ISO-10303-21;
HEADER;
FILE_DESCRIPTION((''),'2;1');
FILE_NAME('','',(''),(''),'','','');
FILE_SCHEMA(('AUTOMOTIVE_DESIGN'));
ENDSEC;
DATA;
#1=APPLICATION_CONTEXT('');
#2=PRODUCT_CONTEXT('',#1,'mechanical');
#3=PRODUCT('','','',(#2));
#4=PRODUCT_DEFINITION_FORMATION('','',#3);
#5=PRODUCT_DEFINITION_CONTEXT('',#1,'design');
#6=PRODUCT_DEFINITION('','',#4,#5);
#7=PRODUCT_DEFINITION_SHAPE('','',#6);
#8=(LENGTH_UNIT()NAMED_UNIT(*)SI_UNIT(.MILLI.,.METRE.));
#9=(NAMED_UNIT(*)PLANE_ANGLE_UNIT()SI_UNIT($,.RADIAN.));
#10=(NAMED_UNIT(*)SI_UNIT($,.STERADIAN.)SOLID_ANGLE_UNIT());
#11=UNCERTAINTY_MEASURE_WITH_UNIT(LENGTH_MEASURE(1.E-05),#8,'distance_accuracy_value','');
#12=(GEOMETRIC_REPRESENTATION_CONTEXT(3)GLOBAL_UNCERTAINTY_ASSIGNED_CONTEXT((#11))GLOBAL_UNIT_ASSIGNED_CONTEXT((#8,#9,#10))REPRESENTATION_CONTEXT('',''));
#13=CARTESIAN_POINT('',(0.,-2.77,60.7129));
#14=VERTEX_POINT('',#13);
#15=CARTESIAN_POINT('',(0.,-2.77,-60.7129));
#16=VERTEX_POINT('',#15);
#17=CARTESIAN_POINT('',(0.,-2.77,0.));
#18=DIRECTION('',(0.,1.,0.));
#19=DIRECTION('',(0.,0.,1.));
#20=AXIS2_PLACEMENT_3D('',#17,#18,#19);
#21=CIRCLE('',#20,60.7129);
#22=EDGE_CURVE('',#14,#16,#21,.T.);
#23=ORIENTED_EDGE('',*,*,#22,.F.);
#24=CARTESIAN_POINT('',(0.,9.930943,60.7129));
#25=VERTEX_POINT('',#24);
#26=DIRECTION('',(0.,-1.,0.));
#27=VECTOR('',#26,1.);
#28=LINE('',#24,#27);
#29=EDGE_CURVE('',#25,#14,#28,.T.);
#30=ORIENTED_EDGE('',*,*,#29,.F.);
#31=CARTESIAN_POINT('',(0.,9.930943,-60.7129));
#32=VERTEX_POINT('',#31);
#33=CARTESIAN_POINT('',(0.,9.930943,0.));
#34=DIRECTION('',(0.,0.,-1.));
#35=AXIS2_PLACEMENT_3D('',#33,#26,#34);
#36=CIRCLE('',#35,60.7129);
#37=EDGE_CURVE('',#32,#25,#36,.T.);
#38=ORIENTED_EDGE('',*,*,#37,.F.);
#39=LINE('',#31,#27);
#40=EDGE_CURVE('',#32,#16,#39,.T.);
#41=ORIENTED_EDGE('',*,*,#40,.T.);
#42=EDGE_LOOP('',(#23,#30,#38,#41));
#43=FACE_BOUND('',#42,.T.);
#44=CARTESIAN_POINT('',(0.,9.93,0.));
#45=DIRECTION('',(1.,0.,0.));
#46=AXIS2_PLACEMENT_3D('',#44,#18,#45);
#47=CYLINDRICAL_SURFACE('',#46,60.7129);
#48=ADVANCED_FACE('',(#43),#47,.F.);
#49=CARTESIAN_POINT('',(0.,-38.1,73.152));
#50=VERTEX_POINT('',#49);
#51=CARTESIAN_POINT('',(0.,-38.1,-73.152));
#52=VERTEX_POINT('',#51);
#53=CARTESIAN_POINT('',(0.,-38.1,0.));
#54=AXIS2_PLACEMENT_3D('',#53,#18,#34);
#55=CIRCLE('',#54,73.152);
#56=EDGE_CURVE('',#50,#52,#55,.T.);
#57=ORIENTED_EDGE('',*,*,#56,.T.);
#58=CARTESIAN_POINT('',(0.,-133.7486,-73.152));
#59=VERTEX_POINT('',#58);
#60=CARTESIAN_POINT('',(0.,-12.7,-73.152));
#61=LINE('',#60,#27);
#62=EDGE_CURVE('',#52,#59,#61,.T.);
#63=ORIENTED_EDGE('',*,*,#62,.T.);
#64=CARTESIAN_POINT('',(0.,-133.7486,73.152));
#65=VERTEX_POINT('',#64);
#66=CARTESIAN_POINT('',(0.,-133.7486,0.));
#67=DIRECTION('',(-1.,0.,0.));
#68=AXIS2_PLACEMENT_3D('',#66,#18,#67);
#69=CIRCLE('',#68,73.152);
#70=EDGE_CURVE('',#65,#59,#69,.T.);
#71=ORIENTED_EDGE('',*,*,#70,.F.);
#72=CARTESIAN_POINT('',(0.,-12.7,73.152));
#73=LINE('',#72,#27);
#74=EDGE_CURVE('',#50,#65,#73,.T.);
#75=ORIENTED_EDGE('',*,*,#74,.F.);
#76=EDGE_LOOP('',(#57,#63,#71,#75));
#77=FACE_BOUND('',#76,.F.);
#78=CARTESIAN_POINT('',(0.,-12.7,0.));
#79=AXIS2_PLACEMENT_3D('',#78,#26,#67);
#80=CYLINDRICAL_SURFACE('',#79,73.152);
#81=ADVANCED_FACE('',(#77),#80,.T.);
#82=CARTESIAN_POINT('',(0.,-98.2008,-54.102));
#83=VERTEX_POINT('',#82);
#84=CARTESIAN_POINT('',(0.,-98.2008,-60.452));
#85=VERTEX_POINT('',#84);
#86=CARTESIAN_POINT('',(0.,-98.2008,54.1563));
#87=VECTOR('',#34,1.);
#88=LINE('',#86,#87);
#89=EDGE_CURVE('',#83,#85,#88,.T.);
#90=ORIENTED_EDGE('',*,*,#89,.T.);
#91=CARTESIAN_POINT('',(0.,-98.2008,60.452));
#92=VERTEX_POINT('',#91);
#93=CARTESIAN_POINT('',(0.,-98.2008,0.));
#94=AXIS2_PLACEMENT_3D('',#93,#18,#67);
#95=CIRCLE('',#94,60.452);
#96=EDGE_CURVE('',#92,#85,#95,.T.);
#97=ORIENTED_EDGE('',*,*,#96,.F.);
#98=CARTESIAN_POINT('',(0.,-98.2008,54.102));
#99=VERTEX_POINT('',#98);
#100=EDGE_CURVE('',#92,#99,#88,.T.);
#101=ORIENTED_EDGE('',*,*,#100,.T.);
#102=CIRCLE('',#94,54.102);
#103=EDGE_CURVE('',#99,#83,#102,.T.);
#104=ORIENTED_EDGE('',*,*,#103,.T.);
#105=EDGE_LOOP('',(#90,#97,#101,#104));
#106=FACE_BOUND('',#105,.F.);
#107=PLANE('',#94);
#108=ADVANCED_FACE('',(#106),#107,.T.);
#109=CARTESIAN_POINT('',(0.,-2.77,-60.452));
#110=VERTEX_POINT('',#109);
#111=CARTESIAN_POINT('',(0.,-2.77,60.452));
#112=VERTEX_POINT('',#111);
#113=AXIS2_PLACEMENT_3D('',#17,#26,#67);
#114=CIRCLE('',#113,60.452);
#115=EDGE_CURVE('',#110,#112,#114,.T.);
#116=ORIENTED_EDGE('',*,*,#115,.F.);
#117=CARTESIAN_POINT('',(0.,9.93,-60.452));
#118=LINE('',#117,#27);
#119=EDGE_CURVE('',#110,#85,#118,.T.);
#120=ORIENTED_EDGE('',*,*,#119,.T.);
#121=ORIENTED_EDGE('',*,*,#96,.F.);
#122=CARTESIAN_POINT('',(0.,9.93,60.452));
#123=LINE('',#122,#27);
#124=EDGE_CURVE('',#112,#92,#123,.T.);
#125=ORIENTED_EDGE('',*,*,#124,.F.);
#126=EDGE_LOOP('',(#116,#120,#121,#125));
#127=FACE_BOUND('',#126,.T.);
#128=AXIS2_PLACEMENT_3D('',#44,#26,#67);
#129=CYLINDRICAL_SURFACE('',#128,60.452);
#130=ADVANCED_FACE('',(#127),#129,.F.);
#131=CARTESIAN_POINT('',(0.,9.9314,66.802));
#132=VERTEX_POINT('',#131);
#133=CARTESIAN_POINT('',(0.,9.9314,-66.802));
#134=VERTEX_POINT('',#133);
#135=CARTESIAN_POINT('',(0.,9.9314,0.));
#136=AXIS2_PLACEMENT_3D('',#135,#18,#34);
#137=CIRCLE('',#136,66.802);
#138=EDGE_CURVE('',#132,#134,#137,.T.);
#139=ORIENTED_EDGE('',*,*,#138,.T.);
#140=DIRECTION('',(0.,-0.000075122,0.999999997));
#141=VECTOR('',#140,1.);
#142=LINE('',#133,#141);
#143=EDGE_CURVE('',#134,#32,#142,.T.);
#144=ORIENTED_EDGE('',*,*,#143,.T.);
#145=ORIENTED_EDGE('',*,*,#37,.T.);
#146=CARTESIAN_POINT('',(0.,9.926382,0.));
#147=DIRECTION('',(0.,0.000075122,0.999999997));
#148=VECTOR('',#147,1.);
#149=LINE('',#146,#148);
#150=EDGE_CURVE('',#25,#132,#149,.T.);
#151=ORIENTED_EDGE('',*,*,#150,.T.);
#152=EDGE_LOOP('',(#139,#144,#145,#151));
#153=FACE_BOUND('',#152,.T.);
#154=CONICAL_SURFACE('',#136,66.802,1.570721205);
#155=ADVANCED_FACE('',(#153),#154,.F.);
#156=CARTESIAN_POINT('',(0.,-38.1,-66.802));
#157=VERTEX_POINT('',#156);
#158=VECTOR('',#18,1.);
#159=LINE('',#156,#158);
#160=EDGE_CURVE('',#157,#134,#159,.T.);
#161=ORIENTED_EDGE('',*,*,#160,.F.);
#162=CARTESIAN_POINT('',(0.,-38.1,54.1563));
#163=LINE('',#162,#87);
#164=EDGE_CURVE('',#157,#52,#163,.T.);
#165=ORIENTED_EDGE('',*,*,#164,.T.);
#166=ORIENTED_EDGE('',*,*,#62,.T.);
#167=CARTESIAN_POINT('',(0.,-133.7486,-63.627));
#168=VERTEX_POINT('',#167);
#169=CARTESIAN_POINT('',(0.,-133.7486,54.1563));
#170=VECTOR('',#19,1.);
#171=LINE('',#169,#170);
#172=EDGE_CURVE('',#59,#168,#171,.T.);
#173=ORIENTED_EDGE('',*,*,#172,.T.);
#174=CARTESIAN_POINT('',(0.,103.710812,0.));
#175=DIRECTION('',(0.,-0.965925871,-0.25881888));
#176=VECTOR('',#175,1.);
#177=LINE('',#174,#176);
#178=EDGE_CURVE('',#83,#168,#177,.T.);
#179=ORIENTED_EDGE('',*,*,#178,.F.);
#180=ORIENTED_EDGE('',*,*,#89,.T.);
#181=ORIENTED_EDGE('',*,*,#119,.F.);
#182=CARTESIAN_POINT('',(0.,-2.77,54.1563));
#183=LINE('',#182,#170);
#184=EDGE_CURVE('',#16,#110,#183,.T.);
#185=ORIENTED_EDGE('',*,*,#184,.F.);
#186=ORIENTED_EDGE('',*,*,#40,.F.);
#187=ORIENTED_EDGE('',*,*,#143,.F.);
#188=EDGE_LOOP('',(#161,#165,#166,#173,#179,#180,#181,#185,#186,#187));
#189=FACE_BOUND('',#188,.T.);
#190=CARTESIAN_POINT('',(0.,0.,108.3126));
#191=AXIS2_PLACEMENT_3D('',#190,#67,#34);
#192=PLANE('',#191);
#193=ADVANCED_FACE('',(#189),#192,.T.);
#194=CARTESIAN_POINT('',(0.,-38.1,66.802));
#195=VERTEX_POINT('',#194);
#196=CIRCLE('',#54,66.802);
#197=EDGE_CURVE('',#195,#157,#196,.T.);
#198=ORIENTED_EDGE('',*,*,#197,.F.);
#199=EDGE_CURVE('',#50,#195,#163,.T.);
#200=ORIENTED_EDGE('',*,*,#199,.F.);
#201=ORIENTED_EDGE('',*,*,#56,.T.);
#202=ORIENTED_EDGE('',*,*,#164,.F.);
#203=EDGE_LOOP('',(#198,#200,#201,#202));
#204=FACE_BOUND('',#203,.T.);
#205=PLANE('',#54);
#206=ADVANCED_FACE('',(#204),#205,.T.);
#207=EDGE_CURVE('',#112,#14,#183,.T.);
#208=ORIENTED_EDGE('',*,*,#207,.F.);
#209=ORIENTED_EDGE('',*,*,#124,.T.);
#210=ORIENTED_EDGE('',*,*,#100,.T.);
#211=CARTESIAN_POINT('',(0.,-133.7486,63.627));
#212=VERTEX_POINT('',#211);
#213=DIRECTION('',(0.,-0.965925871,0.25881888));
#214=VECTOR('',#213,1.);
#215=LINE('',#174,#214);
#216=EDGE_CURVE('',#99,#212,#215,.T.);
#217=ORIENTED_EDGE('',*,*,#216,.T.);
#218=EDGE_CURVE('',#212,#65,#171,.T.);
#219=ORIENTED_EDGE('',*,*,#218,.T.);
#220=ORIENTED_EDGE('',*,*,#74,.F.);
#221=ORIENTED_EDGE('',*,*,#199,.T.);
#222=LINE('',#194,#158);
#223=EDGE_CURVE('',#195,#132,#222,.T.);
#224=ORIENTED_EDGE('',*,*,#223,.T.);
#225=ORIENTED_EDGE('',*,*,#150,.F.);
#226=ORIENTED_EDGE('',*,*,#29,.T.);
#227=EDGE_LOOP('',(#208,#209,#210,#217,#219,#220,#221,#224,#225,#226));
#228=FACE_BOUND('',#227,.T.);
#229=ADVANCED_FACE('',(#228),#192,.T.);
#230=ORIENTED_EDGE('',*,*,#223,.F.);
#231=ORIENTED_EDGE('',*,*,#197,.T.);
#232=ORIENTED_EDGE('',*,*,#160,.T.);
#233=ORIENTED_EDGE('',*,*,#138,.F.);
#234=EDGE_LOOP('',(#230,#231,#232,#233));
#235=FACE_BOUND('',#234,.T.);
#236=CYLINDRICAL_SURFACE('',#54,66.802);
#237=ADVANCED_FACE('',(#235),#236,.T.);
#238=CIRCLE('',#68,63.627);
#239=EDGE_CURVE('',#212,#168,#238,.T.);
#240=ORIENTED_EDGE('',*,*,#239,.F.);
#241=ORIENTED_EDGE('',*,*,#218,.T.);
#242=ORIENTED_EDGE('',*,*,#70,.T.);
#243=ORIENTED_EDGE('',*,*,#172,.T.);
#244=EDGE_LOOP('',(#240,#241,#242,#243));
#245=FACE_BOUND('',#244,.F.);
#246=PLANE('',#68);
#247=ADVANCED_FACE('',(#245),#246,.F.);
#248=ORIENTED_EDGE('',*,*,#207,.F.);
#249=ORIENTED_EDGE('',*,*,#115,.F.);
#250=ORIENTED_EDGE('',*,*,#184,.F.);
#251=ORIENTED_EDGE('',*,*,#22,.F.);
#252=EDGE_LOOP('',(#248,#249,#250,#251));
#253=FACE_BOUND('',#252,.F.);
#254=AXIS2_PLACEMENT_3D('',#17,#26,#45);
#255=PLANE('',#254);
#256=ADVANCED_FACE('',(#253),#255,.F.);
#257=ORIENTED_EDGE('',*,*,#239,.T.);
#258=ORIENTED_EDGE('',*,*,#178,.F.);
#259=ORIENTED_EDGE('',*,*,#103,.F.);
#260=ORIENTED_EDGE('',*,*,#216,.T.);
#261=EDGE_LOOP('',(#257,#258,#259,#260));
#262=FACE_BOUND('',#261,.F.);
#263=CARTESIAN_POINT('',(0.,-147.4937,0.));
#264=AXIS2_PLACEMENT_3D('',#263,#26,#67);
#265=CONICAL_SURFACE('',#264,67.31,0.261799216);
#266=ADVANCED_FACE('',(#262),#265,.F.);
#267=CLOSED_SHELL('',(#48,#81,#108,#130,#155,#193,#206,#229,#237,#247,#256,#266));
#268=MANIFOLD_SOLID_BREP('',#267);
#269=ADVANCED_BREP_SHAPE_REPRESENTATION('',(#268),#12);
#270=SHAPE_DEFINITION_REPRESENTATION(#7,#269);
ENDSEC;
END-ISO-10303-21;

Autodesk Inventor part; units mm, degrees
ref_plane "YZ Plane" through (0, 0, 0) normal (1, 0, 0) x (0, 1, 0)
ref_plane "XZ Plane" through (0, 0, 0) normal (0, 1, 0) x (-1, 0, 0)
ref_plane "XY Plane" through (0, 0, 0) normal (0, 0, 1) x (1, 0, 0)
sketch "Sketch1" plane through (0, 0, 0) normal (0, 0, 1) x (1, 0, 0)
  line L0 (0, 25.4) -> (-28.702, 25.4) construction
  line L1 (0, 25.4) -> (-86.36, 25.4) construction
  line L2 (-86.36, 25.4) -> (-80.01, 25.4) construction
  line L3 (-80.01, 25.4) -> (-73.66, 22.4389) construction
  line L4 (-80.01, 25.4) -> (-80.01, 22.4389) construction
  line L5 (-80.01, 0) -> (-86.36, 0)
  line L6 (-28.702, 59.6457) -> (-28.702, -91.9304) construction
  arc A0 (-28.9184, -4.2142) -> (-32.3684, 3.1843) centre (-35.052, -2.5707) ccw
  line L7 (-67.31, -147.4937) -> (-28.9184, -4.2142)
  line L8 (-80.01, 22.4389) -> (-73.66, 22.4389)
  line L9 (-80.01, 22.4389) -> (-80.01, 0)
  line L10 (-73.66, 22.4389) -> (-32.3684, 3.1843)
  line L11 (-28.702, -2.5707) -> (-60.452, -2.5707) construction
  line L12 (-60.452, 16.28) -> (-60.452, -121.8993) construction
  line L13 (-60.452, -121.8993) -> (-54.102, -121.8993) construction
  line L14 (-54.102, -121.8993) -> (-54.102, -98.2008) construction
  line L15 (-54.102, -98.2008) -> (-60.452, -98.2008)
  line L16 (-60.452, 16.28) -> (-60.452, 6.755) construction
  line L17 (-60.452, 16.28) -> (-60.452, 9.93) construction
  line L18 (-60.452, 9.93) -> (-46.8344, 9.93)
  line L19 (-60.452, 9.93) -> (-60.452, -98.2008)
  line L20 (-86.36, 0) -> (-86.36, -12.7) construction
  line L21 (-60.452, -12.7) -> (-73.152, -12.7) construction
  line L22 (-86.36, -12.7) -> (-86.36, -25.4) construction
  line L23 (-86.36, -25.4) -> (-86.36, -88.9) construction
  line L24 (-86.36, -88.9) -> (-73.66, -88.9) construction
  line L25 (-73.66, -88.9) -> (-73.66, -25.4) construction
  line L26 (-86.36, -25.4) -> (-73.66, -25.4)
  line L27 (-73.66, -25.4) -> (-73.66, -88.9)
  line L28 (-73.66, -88.9) -> (-86.36, -88.9)
  line L29 (-86.36, -12.7) -> (-73.152, -12.7)
  line L30 (-73.152, -133.7486) -> (-63.627, -133.7486)
  line L31 (-73.66, -88.9) -> (-73.66, -147.4937)
  line L32 (-73.66, -147.4937) -> (-67.31, -147.4937)
  line L33 (-73.152, -12.7) -> (-73.152, -133.7486)
  line L34 (-80.01, -25.4) -> (-80.01, -31.3436)
  line L35 (-80.01, -31.3436) -> (-86.36, -31.3436)
  line L36 (-86.36, 0) -> (-86.36, -25.4)
  line L37 (-86.36, -31.3436) -> (-86.36, -88.9)
  line L38 (0, -319.0244) -> (0, 122.7573) projected
  point P0 (0, 0)
  point P1 (-86.36, -255.9127)
  point P2 (-76.835, 22.4389)
  dimension "d0" = 28.702
  dimension "d1" = 86.36
  dimension "d2" = 6.35
  dimension "d3" = 25
  dimension "d5" = 25.4
  dimension "d6" = 25.4
  dimension "d8" = 12.7
  dimension "d11" = 6.35
  dimension "d12" = 31.75
  dimension "d13" = 6.35
  dimension "d15" = 6.35
  dimension "d16" = 12.7
  dimension "d17" = 12.7
  dimension "d18" = 12.7
  dimension "d19" = 63.5
  dimension "d20" = 12.7
  dimension "d22" = 9.525
  dimension "d23" = 6.35
  dimension "d25" = 5.9436
  dimension "d26" = 15
revolve "Revolution2" add sketch "Sketch1" angle 360 about axis through (0, -10, 0) along (0, 1, 0) contours L9 L8 L10 L18 L19 L15 L7 L30 L33 L29 L36 L5
sketch "Sketch2" plane through (0, 0, 0) normal (0, 1, 0) x (-1, 0, 0)
  line L0 (0, -114.5678) -> (107.9834, -114.5678)
  line L1 (107.9834, -114.5678) -> (107.9834, 108.3126)
  line L2 (107.9834, 108.3126) -> (0, 108.3126)
  line L3 (0, 108.3126) -> (0, -114.5678)
  point P0 (0, 0)
extrude "Extrusion1" cut sketch "Sketch2" along normal through all both and the other way through all
sketch "Sketch6" plane through (0, -133.7486, -73.152) normal (-1, 0, 0) x (0, 0, 1)
  line L0 (0, 121.0486) -> (0, 95.6486)
  line L1 (0, 95.6486) -> (6.35, 95.6486)
  line L2 (0, 121.0486) -> (-13.208, 121.0486)
  line L3 (-13.208, 121.0486) -> (-13.208, 133.7486) projected
  line L4 (-13.208, 121.0486) -> (-13.208, 133.7486)
  line L5 (-13.208, 133.7486) -> (-6.858, 133.7486)
  line L6 (-6.858, 133.7486) -> (-6.858, 156.1875)
  line L7 (-0.508, 156.1875) -> (26.3176, 143.6785) projected
  line L8 (-6.858, 156.1875) -> (-0.508, 156.1875)
  line L9 (-0.508, 156.1875) -> (26.3176, 143.6785)
  line L10 (6.35, 95.6486) -> (6.35, 143.68)
  line L11 (6.35, 143.68) -> (26.3176, 143.6785)
  line L12 (26.3176, 143.6785) -> (92.5608, 143.6785) construction
  line L13 (73.152, 133.7486) -> (73.152, 183.9478) construction
  line L14 (119.9864, 143.6785) -> (26.3176, 143.6785) construction
  line L15 (26.3176, 143.6785) -> (73.152, 143.6785) construction
  dimension "d37" = 25.4
  dimension "d38" = 6.35
  dimension "d39" = 6.35
  dimension "d40" = 48.0314
revolve "Revolution4" cut sketch "Sketch6" angle 360 about axis through (0, 0, 0) along (0, 1, 0)
sketch "Sketch7" plane through (0, 9.93, 0) normal (0, -1, 0) x (1, 0, 0)
  point P0 (0, 0)
sketch "Sketch8" plane through (0, 9.93, 0) normal (0, -1, 0) x (1, 0, 0)
  point P0 (0, 0)
sketch "Sketch9" plane through (0, 9.93, 0) normal (0, -1, 0) x (1, 0, 0)
  circle A0 centre (0, 0) radius 60.7129
extrude "Extrusion2" cut sketch "Sketch9" along normal mid plane 25.4
properties part number "part 1 phenolic sketch" material "Phenolic Resin"
